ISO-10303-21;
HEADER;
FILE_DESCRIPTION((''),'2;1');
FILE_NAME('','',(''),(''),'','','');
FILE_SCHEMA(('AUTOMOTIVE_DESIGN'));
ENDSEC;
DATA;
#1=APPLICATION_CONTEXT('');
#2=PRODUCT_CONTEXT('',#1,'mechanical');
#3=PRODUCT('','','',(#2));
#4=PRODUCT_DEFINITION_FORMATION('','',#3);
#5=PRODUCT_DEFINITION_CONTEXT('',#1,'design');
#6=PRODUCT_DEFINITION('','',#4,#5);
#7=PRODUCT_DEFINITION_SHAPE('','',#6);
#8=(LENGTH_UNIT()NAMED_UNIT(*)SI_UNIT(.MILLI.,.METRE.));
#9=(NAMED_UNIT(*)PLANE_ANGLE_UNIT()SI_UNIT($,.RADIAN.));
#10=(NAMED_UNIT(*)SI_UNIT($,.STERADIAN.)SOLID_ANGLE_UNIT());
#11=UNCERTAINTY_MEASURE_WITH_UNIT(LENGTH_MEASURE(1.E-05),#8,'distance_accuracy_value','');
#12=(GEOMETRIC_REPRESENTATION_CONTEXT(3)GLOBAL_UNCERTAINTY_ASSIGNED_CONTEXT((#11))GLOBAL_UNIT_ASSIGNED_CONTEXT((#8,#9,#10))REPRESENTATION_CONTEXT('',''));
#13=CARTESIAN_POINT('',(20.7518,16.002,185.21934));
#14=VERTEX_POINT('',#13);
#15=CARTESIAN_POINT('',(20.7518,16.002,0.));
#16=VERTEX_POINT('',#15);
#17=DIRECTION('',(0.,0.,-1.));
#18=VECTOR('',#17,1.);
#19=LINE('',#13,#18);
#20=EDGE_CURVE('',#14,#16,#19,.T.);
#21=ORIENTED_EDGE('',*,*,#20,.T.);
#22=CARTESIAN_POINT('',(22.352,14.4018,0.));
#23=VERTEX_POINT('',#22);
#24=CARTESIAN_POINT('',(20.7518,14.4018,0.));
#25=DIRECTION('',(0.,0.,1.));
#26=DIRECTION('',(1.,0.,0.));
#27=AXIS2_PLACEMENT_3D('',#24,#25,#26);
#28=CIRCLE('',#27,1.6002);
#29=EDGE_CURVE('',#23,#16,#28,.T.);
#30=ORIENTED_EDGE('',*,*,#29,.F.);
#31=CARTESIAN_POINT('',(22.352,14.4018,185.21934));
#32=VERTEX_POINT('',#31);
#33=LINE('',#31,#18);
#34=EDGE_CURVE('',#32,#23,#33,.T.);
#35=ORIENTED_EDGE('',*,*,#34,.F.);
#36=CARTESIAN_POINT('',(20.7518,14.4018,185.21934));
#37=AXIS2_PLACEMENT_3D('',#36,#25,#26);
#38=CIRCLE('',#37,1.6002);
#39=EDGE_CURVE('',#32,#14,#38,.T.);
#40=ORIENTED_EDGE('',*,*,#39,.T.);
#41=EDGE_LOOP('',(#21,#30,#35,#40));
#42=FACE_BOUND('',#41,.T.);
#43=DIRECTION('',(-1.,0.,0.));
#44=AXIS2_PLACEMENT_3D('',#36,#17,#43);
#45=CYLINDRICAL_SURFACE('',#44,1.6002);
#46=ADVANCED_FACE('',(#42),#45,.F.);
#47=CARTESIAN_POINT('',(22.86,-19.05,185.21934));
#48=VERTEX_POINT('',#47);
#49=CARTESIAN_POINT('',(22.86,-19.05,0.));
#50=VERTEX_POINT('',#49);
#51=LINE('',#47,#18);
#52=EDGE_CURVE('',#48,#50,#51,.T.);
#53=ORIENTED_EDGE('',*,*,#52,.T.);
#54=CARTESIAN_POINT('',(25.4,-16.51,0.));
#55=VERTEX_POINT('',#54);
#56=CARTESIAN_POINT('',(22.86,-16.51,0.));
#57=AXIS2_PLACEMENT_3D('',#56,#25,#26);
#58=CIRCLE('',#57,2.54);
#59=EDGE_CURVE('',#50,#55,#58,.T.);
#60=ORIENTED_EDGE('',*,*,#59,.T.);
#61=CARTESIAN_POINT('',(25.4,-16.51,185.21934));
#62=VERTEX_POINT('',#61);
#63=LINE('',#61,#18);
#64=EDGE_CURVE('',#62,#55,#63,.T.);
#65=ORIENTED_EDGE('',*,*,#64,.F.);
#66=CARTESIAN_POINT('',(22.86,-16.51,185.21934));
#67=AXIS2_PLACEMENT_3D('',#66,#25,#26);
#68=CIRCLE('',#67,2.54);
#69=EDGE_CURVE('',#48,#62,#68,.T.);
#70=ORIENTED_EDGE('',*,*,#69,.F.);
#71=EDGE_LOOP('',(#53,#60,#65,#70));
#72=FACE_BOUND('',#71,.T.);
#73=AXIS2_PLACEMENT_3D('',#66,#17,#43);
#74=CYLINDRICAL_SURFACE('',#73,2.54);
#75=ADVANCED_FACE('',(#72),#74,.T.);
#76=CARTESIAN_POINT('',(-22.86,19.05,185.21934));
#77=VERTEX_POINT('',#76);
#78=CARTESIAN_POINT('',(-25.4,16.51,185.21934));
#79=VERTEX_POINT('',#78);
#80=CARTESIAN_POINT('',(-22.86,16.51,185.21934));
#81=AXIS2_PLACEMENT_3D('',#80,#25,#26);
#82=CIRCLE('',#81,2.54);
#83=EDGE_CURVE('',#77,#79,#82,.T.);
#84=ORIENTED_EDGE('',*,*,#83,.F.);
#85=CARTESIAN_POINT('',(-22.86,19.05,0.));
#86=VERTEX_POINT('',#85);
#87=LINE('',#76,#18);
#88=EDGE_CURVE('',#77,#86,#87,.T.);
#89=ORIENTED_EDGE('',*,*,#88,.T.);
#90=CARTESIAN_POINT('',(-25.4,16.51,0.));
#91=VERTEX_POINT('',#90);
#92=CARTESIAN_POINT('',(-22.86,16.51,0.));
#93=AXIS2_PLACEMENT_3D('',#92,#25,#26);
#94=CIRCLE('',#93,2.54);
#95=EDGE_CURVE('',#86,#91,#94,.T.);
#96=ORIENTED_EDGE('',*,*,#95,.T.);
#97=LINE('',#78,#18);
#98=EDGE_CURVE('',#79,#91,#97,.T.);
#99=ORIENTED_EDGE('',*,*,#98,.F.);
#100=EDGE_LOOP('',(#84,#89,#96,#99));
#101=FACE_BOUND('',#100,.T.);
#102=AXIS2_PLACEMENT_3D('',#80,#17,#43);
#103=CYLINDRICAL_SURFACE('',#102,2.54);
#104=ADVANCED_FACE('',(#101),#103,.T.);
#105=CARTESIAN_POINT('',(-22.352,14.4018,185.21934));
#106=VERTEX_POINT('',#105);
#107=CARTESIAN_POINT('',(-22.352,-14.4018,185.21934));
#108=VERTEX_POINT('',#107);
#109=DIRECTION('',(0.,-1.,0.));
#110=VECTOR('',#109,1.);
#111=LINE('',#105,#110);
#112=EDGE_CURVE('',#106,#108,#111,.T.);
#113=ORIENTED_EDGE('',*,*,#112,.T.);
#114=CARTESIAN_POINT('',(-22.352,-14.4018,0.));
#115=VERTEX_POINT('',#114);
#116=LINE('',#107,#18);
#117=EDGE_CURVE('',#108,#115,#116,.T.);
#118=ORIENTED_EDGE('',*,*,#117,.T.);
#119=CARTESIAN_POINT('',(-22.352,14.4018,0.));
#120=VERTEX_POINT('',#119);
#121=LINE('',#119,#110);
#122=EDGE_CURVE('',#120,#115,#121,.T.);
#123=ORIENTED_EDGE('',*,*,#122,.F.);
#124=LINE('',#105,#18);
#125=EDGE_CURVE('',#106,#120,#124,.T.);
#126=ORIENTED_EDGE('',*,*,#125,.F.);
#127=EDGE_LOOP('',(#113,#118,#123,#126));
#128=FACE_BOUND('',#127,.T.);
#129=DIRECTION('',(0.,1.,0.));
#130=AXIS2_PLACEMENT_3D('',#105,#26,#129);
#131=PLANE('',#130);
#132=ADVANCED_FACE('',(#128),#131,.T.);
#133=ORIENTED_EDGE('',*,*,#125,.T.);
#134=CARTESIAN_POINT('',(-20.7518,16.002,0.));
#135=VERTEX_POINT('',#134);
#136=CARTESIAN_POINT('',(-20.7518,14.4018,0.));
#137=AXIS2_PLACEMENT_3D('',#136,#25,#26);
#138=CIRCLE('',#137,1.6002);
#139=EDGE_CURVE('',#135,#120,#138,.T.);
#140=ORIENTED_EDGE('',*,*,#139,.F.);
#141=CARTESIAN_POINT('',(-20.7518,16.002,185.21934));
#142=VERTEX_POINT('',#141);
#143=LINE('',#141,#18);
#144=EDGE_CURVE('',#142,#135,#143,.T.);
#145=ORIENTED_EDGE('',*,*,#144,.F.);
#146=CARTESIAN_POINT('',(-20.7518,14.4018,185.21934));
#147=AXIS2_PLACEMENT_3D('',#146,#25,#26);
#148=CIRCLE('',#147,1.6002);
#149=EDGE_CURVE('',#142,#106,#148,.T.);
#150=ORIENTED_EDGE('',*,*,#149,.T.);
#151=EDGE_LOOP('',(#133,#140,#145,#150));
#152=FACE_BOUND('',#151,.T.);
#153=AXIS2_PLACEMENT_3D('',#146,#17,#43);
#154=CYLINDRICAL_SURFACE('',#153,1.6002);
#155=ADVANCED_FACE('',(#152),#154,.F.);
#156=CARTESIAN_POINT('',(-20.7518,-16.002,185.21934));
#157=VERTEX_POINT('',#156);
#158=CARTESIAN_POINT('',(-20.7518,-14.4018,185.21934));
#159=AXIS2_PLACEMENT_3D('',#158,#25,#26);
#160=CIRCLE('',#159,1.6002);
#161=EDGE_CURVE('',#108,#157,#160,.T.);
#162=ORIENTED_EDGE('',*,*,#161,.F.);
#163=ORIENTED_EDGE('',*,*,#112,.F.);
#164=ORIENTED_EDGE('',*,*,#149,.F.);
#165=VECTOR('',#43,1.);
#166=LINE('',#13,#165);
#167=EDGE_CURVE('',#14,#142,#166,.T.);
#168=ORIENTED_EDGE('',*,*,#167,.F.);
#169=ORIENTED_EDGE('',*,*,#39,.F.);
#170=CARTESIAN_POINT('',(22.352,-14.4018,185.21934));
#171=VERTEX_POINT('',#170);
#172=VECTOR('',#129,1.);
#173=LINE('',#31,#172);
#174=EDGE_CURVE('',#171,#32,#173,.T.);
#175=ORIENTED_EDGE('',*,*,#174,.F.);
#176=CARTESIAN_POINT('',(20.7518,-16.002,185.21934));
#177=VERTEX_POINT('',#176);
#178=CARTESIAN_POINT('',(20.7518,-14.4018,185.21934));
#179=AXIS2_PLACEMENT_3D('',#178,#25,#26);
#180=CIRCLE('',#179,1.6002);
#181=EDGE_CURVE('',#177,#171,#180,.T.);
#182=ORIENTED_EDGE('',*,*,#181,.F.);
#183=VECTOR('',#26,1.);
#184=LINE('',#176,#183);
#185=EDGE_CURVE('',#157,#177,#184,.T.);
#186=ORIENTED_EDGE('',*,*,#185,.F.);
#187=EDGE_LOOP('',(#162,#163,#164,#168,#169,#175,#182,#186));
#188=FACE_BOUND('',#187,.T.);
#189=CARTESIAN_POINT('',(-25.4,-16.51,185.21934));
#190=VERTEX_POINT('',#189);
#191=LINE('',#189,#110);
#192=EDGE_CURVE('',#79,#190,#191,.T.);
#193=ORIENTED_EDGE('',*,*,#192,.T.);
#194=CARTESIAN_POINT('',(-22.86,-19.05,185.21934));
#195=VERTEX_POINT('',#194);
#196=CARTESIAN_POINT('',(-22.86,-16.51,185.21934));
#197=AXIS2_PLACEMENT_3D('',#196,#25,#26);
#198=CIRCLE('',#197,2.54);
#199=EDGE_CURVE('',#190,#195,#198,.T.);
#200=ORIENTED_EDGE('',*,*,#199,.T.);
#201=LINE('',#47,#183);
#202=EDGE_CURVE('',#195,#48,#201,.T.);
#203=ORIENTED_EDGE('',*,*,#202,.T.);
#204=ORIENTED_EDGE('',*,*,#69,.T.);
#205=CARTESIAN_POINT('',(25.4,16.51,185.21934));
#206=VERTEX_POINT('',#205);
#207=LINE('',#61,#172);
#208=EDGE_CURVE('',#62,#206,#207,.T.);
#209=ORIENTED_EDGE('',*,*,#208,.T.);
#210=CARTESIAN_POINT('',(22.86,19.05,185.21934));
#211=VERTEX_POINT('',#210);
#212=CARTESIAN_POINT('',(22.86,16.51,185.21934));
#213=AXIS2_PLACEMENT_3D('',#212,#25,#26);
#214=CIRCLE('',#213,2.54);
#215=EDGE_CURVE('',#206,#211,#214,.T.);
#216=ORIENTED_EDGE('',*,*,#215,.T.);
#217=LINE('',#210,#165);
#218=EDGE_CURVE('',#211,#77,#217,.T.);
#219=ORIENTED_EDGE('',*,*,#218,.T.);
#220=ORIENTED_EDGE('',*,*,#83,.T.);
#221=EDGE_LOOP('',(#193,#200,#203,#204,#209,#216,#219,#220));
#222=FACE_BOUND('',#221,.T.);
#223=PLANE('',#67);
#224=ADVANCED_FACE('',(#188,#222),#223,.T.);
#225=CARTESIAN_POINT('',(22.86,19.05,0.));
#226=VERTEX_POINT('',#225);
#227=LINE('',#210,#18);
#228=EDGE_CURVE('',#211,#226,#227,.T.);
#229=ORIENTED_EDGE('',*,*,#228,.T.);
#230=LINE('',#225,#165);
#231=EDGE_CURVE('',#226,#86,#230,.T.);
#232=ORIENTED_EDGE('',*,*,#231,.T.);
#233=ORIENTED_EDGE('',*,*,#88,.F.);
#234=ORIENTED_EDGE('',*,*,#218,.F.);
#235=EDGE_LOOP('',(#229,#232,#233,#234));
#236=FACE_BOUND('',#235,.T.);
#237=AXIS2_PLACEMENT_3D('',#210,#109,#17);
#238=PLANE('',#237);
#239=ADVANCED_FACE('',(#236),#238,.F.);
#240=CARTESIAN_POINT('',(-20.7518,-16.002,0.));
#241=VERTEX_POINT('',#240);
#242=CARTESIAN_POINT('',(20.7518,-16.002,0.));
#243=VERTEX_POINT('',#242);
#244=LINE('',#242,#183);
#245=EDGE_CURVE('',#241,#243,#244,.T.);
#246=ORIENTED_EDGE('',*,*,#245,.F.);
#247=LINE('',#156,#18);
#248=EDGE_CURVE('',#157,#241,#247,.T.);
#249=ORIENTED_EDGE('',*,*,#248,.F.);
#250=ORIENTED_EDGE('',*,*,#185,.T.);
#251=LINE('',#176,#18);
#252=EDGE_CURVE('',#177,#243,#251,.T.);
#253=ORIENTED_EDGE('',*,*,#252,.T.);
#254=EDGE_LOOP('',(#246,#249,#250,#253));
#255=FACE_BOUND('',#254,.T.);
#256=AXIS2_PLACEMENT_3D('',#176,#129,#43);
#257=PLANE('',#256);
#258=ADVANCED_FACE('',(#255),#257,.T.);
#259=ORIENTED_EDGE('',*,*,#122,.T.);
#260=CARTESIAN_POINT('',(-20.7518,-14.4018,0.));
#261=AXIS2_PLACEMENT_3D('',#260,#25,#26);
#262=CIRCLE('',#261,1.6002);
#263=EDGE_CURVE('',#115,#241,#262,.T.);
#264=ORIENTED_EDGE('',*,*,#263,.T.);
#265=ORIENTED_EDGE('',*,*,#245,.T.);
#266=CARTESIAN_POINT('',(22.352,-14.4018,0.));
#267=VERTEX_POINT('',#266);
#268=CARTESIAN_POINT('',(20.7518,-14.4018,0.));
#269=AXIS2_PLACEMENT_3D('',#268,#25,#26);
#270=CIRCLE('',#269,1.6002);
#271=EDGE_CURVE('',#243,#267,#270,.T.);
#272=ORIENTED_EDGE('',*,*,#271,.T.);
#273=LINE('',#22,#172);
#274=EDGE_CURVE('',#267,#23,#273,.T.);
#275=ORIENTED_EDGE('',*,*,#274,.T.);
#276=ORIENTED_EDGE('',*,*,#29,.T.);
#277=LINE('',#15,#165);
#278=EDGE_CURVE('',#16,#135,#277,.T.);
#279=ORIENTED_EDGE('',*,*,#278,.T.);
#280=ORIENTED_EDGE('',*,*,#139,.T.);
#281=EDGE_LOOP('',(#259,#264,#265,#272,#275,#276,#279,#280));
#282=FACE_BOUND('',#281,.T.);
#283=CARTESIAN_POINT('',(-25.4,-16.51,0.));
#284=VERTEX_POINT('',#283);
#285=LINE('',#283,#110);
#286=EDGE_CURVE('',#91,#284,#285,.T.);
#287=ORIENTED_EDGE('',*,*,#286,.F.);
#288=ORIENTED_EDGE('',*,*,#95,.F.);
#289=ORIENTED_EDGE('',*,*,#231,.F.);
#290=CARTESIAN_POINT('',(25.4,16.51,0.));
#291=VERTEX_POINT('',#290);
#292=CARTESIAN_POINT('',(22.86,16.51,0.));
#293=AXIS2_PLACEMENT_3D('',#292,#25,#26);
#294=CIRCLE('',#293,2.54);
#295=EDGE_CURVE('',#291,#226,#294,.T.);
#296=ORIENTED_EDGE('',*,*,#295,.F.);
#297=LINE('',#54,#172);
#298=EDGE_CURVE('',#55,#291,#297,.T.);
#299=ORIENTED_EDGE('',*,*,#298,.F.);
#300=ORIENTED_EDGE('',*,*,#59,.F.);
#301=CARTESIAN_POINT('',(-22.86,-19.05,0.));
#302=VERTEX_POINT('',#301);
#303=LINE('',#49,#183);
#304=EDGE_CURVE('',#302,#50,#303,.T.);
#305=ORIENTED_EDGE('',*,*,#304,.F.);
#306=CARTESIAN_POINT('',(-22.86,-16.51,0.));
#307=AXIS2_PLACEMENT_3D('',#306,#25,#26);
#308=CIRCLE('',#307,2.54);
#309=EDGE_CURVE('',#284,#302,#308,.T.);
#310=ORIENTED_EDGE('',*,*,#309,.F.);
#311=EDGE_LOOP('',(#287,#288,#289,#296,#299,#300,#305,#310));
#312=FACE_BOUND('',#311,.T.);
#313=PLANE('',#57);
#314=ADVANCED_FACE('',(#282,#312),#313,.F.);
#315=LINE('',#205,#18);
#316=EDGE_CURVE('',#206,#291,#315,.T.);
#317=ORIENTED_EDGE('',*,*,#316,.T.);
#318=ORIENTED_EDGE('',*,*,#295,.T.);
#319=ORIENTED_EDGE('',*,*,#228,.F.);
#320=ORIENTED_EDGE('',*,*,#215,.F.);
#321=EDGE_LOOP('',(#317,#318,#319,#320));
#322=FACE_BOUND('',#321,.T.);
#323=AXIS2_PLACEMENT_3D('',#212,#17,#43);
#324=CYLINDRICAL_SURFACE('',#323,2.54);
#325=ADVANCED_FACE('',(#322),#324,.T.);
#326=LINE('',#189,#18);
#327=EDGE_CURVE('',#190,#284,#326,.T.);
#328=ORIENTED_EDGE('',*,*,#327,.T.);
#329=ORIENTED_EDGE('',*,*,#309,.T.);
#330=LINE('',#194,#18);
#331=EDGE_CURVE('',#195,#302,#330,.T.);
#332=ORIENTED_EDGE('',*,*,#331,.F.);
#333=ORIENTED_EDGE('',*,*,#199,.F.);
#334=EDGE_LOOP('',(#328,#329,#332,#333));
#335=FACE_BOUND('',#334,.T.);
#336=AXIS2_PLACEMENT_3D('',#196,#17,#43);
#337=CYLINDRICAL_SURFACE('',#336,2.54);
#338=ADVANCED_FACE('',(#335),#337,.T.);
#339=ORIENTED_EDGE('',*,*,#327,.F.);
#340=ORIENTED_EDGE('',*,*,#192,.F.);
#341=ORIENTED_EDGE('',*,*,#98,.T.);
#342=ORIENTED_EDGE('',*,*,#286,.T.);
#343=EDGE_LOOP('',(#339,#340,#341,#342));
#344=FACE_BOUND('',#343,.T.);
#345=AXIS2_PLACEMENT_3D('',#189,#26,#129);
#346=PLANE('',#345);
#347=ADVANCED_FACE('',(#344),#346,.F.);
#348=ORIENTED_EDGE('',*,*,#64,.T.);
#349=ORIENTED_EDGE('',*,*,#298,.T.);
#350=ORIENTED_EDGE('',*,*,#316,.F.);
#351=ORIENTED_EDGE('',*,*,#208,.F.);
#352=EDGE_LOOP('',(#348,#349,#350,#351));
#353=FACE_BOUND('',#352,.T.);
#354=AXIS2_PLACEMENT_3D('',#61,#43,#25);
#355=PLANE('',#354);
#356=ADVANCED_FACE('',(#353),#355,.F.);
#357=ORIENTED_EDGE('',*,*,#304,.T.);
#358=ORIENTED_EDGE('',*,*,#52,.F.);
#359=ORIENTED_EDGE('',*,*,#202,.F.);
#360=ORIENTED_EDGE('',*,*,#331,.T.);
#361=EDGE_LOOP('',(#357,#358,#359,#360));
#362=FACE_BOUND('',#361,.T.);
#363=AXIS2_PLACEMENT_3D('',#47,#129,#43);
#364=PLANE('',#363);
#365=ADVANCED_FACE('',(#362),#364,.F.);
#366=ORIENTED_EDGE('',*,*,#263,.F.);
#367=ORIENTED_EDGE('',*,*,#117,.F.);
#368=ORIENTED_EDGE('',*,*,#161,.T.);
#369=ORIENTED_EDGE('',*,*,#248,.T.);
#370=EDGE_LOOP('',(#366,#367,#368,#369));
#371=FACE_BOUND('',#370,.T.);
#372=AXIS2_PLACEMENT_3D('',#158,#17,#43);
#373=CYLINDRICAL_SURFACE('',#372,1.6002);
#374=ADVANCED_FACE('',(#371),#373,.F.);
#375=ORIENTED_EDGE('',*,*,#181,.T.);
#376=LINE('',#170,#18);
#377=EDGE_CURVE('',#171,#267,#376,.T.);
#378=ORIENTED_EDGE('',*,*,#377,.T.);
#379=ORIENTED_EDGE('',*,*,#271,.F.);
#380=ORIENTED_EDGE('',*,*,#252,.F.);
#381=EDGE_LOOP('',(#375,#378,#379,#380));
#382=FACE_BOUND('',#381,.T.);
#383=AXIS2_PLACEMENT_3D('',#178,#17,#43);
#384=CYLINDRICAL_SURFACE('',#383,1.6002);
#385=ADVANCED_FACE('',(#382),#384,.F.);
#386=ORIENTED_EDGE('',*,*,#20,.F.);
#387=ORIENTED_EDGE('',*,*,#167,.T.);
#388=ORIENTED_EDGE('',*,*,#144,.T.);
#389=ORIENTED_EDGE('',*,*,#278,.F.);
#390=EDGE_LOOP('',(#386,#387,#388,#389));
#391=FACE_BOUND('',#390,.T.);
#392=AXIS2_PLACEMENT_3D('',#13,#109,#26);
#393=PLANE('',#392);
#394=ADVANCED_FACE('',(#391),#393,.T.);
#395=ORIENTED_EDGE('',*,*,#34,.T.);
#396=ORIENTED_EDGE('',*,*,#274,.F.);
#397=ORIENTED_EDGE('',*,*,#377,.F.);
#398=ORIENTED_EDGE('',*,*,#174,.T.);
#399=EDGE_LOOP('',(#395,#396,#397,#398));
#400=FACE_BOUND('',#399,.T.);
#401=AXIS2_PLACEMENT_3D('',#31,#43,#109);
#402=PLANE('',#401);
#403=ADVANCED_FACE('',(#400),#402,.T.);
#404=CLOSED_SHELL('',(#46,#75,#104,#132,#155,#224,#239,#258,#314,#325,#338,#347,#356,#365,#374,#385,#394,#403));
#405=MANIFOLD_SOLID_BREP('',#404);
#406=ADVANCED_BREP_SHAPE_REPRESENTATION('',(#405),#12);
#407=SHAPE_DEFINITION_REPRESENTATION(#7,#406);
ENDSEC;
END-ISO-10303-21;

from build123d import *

# Parameters (mm, degrees)
BOSS_EXTRUDE1_DEPTH = 185.21934


with BuildPart() as part:
    # Sketch4 → Boss-Extrude1 (new body)
    with BuildSketch(Plane.XY):
        with BuildLine():
            Line((25.4, -16.51), (25.4, 16.51))
            ThreePointArc((25.4, 16.51), (24.656051224, 18.306051224), (22.86, 19.05))
            Line((22.86, 19.05), (-22.86, 19.05))
            ThreePointArc((-22.86, 19.05), (-24.656051224, 18.306051224), (-25.4, 16.51))
            Line((-25.4, 16.51), (-25.4, -16.51))
            ThreePointArc((-25.4, -16.51), (-24.656051224, -18.306051224), (-22.86, -19.05))
            Line((-22.86, -19.05), (22.86, -19.05))
            ThreePointArc((22.86, -19.05), (24.656051224, -18.306051224), (25.4, -16.51))
        make_face()
        with BuildLine():
            Line((22.352, 14.4018), (22.352, -14.4018))
            ThreePointArc((22.352, -14.4018), (21.883312271, -15.533312271), (20.7518, -16.002))
            Line((20.7518, -16.002), (-20.7518, -16.002))
            ThreePointArc((-20.7518, -16.002), (-21.883312271, -15.533312271), (-22.352, -14.4018))
            Line((-22.352, -14.4018), (-22.352, 14.4018))
            ThreePointArc((-22.352, 14.4018), (-21.883312271, 15.533312271), (-20.7518, 16.002))
            Line((-20.7518, 16.002), (20.7518, 16.002))
            ThreePointArc((20.7518, 16.002), (21.883312271, 15.533312271), (22.352, 14.4018))
        make_face(mode=Mode.SUBTRACT)
    extrude(amount=BOSS_EXTRUDE1_DEPTH)


solid = part.part
